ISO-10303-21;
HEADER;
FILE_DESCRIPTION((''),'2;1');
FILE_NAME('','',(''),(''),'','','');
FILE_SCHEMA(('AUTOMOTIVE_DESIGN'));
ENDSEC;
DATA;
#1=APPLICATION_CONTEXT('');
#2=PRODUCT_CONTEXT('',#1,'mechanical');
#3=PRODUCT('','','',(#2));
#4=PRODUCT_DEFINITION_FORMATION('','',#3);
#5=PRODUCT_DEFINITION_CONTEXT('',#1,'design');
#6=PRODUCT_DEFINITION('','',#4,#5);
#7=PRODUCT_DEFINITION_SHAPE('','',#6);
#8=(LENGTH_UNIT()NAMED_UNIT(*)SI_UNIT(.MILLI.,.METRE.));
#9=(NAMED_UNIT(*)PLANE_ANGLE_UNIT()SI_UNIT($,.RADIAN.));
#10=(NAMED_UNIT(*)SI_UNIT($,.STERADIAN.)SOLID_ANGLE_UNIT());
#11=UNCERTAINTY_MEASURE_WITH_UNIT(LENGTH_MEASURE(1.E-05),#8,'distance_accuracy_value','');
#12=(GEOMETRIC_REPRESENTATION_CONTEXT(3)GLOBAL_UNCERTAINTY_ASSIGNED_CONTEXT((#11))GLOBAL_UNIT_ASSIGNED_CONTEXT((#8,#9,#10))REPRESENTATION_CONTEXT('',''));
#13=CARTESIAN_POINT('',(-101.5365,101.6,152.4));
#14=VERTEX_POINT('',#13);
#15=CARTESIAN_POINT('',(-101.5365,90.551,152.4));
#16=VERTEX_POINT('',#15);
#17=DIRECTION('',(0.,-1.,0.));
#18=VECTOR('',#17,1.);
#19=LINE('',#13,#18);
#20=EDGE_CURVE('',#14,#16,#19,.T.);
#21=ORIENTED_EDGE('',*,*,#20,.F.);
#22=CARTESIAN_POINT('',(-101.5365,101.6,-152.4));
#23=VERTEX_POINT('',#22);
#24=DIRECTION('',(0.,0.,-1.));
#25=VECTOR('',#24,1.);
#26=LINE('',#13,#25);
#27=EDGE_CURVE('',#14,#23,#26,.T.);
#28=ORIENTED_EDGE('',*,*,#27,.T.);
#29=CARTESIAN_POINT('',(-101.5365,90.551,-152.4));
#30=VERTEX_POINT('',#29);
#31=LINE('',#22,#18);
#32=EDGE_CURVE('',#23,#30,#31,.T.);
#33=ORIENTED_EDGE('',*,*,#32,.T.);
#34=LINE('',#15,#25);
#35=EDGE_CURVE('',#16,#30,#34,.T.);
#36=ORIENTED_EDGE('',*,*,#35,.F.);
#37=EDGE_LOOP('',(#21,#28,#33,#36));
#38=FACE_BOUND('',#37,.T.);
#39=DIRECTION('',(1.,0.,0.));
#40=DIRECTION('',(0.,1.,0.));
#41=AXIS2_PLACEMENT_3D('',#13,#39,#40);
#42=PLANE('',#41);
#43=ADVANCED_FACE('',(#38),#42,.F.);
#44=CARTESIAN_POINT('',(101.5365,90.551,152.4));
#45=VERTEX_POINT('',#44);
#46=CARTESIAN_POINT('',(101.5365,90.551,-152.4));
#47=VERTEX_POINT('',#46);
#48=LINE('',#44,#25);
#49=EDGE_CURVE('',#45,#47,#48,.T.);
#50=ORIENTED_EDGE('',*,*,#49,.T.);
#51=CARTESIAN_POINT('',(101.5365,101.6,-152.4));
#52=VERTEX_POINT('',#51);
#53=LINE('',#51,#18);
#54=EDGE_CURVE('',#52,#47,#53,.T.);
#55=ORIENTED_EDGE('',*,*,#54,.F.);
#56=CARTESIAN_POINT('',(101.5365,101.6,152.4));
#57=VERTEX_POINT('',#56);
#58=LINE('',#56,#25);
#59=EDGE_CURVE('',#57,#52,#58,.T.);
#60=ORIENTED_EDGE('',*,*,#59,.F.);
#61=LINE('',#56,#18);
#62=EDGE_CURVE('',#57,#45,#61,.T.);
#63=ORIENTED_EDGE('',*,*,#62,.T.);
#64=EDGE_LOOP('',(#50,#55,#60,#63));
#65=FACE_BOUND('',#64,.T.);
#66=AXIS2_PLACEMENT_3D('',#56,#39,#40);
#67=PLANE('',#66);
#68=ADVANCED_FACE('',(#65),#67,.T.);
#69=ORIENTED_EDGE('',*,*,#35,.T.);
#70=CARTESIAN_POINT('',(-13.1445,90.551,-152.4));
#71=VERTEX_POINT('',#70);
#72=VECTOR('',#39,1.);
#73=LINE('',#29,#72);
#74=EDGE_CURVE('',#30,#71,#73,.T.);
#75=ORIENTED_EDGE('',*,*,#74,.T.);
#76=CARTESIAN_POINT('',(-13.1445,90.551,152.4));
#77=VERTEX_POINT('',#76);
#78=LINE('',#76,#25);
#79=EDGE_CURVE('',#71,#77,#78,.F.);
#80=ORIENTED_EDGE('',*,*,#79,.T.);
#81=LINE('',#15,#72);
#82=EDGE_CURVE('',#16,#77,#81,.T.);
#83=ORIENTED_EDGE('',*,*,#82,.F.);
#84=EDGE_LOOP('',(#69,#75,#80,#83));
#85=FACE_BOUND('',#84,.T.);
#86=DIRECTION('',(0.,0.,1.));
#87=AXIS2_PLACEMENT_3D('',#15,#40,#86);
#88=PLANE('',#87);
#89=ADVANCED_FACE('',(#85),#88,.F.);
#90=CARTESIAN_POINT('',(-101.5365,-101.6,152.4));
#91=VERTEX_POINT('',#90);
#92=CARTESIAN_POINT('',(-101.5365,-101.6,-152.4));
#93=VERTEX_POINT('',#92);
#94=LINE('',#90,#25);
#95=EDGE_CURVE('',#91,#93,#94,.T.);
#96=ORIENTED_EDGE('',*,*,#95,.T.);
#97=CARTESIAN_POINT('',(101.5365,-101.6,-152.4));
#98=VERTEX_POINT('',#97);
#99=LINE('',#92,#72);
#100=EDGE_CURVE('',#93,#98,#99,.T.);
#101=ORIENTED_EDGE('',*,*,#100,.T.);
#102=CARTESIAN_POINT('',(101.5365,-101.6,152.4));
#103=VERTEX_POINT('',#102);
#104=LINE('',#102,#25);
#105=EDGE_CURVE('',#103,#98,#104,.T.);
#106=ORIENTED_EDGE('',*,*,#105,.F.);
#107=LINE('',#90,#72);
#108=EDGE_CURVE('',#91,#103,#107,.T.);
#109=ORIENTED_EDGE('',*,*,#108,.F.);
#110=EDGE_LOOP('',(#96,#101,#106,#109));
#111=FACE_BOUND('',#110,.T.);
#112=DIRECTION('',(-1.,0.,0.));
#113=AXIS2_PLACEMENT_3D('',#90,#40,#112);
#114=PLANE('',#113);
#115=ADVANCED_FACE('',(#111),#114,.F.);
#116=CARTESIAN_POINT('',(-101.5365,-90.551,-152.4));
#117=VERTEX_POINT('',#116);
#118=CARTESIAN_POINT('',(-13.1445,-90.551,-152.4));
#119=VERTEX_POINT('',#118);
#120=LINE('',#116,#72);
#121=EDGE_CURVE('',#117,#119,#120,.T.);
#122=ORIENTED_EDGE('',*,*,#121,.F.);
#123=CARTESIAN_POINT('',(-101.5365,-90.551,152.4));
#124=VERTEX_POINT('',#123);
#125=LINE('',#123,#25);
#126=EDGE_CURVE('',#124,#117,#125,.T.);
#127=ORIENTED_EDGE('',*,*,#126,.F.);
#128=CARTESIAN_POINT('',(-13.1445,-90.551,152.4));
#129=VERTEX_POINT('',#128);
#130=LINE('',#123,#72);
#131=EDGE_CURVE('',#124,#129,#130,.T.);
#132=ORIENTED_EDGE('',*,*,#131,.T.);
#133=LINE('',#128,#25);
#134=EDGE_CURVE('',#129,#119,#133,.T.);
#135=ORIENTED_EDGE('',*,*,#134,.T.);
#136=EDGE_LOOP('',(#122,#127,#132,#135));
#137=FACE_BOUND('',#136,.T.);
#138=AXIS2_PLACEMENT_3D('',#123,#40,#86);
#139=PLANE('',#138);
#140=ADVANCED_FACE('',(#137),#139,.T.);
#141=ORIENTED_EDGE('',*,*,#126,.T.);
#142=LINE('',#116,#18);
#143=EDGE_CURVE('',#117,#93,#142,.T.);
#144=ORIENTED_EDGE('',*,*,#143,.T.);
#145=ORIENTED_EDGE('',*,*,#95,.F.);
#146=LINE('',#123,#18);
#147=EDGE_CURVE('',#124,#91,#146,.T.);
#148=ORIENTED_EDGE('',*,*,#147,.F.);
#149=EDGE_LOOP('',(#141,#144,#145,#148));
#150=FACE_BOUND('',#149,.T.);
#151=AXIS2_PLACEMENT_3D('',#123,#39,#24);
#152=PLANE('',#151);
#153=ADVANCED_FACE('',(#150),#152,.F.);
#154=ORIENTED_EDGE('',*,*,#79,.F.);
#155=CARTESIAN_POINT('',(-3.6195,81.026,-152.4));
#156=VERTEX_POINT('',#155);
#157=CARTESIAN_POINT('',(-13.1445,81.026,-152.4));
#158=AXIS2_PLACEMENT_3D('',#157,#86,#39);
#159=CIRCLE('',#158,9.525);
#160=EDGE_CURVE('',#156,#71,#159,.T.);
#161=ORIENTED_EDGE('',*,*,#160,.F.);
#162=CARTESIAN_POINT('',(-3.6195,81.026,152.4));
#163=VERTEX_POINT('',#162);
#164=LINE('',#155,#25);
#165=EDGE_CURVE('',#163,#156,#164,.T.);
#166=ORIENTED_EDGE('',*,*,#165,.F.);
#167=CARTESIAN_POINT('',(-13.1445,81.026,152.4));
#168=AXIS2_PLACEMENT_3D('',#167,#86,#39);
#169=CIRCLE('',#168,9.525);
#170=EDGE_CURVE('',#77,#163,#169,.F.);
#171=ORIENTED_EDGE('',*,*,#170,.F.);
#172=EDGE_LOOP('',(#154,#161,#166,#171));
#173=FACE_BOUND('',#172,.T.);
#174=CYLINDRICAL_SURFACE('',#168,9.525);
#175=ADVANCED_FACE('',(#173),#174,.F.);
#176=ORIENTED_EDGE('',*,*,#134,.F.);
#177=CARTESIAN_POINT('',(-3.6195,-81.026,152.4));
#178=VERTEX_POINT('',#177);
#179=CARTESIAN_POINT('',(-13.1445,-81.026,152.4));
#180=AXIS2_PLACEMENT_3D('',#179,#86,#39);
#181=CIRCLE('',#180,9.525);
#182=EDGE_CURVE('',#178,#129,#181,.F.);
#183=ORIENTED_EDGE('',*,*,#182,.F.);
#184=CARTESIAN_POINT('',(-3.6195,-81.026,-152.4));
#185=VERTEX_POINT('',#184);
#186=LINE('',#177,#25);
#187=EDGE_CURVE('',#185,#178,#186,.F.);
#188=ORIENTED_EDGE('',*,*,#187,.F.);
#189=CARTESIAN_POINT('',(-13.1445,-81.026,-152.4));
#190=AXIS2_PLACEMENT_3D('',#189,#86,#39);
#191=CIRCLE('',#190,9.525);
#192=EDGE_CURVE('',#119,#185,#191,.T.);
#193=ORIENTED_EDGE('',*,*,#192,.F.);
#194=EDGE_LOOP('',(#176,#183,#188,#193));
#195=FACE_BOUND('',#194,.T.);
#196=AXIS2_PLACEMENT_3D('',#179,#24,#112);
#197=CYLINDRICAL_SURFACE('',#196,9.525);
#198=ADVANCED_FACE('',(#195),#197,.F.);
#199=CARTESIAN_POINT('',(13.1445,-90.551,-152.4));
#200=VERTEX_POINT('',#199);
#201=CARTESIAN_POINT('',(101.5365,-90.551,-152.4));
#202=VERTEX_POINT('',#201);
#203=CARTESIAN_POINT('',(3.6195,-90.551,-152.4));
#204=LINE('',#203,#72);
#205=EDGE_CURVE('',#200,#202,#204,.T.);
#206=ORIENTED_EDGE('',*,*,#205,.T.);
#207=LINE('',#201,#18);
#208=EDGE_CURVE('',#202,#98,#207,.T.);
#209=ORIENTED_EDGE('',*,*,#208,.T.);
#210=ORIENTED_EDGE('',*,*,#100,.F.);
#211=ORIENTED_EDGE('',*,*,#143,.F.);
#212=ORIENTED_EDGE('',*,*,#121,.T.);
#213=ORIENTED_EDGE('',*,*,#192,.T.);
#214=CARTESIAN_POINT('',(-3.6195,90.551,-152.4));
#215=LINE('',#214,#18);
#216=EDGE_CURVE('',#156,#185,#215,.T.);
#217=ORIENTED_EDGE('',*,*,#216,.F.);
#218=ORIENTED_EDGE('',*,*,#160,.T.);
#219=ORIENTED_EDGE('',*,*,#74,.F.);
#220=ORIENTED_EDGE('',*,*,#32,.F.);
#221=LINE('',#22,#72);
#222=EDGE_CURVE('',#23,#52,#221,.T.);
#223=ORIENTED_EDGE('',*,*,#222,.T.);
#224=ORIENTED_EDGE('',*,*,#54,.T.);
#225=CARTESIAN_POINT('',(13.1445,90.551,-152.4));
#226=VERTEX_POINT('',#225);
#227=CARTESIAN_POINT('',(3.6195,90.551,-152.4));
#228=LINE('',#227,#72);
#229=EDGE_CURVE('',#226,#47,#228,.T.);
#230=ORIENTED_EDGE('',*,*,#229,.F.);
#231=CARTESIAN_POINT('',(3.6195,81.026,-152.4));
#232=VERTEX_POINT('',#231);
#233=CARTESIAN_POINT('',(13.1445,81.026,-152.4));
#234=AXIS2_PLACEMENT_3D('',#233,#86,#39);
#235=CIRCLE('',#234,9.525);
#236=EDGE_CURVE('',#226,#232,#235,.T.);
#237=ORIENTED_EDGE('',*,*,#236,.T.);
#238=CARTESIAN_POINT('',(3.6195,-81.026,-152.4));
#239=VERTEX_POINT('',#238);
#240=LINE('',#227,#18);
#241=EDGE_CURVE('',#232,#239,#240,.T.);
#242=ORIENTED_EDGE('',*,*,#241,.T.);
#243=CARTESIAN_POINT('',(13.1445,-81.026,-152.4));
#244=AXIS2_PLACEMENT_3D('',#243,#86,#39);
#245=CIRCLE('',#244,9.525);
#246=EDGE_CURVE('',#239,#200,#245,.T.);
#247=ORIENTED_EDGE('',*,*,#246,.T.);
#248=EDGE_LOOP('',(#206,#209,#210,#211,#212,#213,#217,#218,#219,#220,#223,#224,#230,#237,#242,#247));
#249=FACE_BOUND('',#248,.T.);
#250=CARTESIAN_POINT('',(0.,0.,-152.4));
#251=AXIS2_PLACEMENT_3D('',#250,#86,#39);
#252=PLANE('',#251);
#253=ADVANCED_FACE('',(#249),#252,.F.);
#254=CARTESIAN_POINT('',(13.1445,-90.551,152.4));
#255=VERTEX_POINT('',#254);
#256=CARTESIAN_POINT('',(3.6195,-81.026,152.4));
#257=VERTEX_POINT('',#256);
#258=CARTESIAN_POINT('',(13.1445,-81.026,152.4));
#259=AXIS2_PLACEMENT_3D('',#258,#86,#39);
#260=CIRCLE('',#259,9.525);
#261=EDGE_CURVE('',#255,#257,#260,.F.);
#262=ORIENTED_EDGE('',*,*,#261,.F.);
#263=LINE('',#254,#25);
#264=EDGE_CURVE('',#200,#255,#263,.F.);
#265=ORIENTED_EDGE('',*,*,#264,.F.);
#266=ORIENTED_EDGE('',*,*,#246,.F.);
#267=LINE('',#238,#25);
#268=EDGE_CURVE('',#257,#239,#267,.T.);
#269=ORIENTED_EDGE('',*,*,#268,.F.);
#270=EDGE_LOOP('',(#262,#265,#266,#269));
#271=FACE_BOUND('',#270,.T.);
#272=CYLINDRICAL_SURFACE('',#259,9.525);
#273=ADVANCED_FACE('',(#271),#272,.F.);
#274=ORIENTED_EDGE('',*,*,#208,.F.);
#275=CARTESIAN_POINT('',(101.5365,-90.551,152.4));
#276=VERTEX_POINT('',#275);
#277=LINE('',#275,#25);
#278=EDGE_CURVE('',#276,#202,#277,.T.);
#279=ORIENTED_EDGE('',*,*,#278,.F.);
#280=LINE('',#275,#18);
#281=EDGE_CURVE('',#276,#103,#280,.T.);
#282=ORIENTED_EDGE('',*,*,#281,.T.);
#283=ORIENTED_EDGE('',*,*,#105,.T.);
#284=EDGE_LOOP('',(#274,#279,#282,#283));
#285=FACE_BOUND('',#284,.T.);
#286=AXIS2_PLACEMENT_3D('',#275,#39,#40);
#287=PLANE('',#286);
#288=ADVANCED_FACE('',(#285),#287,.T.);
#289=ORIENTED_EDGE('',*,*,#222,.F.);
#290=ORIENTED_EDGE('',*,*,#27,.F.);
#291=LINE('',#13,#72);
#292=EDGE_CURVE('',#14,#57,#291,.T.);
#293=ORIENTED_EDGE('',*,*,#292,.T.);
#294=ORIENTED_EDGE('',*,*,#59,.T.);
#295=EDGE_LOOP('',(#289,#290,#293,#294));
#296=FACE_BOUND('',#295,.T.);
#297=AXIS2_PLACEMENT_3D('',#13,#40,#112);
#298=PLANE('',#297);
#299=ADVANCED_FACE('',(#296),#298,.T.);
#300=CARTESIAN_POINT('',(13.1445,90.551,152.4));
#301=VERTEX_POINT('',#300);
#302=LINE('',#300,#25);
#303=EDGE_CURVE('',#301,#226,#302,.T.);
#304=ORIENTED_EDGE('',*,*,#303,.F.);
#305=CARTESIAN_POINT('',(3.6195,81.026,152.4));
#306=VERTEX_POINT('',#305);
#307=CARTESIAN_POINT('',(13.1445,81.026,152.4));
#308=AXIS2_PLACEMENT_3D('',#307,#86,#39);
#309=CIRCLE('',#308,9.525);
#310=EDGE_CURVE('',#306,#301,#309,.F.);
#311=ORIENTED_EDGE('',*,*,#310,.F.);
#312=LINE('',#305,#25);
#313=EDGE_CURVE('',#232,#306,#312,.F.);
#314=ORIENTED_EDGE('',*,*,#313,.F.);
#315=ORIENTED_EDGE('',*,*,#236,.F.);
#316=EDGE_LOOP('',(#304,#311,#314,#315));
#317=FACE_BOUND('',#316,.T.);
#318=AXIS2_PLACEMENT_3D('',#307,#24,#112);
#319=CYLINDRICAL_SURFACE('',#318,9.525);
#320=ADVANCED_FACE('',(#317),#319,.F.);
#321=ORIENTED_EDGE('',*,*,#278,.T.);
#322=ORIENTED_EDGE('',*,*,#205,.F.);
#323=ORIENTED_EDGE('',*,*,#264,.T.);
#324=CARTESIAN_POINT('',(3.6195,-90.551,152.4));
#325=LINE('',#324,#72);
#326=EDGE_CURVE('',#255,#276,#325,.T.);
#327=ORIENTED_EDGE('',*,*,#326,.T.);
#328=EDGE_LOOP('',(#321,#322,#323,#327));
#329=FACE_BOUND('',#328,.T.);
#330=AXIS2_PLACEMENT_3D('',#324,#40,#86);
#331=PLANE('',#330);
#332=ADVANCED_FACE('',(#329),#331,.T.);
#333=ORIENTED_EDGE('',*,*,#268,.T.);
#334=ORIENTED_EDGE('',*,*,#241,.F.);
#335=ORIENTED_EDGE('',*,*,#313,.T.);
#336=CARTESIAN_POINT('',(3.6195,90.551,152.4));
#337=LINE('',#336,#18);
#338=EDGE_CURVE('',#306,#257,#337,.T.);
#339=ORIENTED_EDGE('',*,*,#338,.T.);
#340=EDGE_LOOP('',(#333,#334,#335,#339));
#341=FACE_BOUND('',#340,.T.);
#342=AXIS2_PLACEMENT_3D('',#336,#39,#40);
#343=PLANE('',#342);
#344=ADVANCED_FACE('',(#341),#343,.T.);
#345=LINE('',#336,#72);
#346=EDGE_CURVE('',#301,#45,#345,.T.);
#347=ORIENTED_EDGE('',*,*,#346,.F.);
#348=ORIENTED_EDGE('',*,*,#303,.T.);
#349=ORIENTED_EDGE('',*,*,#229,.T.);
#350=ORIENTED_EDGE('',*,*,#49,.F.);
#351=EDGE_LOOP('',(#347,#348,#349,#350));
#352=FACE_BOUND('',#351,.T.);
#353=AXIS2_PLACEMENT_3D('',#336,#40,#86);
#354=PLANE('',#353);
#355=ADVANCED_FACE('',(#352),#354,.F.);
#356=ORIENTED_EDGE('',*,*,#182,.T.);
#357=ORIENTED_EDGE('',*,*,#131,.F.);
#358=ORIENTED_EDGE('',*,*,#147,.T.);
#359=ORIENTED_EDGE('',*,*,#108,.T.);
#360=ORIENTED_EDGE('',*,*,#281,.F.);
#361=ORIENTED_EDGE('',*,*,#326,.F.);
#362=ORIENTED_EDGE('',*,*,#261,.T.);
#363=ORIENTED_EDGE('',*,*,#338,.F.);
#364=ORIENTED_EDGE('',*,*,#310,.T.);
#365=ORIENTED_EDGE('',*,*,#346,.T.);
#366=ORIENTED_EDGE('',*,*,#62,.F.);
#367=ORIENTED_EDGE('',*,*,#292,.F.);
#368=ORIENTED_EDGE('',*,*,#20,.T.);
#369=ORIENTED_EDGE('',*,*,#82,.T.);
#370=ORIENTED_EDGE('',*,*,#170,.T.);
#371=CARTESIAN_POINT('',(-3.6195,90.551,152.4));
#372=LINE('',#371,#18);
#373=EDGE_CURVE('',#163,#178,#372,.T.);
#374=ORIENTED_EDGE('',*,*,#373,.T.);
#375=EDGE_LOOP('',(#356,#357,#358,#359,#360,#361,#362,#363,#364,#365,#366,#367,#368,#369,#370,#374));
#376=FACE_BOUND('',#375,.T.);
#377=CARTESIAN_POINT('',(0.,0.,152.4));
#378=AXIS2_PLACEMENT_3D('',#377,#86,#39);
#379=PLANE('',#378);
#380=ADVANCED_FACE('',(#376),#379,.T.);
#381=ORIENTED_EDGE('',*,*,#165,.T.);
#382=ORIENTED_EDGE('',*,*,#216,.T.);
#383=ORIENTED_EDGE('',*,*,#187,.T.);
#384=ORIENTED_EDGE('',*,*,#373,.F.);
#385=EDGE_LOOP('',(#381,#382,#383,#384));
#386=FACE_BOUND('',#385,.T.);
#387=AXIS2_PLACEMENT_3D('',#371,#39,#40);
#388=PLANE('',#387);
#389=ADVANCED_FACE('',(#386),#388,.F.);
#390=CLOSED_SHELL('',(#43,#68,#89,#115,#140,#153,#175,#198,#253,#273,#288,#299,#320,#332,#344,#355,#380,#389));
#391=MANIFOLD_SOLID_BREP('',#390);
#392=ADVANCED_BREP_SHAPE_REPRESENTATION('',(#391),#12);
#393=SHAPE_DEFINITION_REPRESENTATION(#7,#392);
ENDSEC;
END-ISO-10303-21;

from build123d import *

# Parameters (mm, degrees)
BOSS_EXTRUDE1_DEPTH = 152.4
FILLET1_R           = 9.525


with BuildPart() as part:
    # Sketch2 → Boss-Extrude1 (new body, symmetric)
    with BuildSketch(Plane.XY):
        Polygon((-3.6195, 90.551), (-3.6195, -90.551), (-101.5365, -90.551), (-101.5365, -101.6), (101.5365, -101.6), (101.5365, -90.551), (3.6195, -90.551), (3.6195, 90.551), (101.5365, 90.551), (101.5365, 101.6), (-101.5365, 101.6), (-101.5365, 90.551), align=None)
    extrude(amount=BOSS_EXTRUDE1_DEPTH, both=True)

    # Fillet1
    fillet1_edges = [part.edges().sort_by_distance(p)[0] for p in [
        (-3.6195, -90.551, 0),
        (-3.6195, 90.551, 0),
        (3.6195, 90.551, 0),
        (3.6195, -90.551, 0),
    ]]
    fillet(fillet1_edges, radius=FILLET1_R)


solid = part.part
